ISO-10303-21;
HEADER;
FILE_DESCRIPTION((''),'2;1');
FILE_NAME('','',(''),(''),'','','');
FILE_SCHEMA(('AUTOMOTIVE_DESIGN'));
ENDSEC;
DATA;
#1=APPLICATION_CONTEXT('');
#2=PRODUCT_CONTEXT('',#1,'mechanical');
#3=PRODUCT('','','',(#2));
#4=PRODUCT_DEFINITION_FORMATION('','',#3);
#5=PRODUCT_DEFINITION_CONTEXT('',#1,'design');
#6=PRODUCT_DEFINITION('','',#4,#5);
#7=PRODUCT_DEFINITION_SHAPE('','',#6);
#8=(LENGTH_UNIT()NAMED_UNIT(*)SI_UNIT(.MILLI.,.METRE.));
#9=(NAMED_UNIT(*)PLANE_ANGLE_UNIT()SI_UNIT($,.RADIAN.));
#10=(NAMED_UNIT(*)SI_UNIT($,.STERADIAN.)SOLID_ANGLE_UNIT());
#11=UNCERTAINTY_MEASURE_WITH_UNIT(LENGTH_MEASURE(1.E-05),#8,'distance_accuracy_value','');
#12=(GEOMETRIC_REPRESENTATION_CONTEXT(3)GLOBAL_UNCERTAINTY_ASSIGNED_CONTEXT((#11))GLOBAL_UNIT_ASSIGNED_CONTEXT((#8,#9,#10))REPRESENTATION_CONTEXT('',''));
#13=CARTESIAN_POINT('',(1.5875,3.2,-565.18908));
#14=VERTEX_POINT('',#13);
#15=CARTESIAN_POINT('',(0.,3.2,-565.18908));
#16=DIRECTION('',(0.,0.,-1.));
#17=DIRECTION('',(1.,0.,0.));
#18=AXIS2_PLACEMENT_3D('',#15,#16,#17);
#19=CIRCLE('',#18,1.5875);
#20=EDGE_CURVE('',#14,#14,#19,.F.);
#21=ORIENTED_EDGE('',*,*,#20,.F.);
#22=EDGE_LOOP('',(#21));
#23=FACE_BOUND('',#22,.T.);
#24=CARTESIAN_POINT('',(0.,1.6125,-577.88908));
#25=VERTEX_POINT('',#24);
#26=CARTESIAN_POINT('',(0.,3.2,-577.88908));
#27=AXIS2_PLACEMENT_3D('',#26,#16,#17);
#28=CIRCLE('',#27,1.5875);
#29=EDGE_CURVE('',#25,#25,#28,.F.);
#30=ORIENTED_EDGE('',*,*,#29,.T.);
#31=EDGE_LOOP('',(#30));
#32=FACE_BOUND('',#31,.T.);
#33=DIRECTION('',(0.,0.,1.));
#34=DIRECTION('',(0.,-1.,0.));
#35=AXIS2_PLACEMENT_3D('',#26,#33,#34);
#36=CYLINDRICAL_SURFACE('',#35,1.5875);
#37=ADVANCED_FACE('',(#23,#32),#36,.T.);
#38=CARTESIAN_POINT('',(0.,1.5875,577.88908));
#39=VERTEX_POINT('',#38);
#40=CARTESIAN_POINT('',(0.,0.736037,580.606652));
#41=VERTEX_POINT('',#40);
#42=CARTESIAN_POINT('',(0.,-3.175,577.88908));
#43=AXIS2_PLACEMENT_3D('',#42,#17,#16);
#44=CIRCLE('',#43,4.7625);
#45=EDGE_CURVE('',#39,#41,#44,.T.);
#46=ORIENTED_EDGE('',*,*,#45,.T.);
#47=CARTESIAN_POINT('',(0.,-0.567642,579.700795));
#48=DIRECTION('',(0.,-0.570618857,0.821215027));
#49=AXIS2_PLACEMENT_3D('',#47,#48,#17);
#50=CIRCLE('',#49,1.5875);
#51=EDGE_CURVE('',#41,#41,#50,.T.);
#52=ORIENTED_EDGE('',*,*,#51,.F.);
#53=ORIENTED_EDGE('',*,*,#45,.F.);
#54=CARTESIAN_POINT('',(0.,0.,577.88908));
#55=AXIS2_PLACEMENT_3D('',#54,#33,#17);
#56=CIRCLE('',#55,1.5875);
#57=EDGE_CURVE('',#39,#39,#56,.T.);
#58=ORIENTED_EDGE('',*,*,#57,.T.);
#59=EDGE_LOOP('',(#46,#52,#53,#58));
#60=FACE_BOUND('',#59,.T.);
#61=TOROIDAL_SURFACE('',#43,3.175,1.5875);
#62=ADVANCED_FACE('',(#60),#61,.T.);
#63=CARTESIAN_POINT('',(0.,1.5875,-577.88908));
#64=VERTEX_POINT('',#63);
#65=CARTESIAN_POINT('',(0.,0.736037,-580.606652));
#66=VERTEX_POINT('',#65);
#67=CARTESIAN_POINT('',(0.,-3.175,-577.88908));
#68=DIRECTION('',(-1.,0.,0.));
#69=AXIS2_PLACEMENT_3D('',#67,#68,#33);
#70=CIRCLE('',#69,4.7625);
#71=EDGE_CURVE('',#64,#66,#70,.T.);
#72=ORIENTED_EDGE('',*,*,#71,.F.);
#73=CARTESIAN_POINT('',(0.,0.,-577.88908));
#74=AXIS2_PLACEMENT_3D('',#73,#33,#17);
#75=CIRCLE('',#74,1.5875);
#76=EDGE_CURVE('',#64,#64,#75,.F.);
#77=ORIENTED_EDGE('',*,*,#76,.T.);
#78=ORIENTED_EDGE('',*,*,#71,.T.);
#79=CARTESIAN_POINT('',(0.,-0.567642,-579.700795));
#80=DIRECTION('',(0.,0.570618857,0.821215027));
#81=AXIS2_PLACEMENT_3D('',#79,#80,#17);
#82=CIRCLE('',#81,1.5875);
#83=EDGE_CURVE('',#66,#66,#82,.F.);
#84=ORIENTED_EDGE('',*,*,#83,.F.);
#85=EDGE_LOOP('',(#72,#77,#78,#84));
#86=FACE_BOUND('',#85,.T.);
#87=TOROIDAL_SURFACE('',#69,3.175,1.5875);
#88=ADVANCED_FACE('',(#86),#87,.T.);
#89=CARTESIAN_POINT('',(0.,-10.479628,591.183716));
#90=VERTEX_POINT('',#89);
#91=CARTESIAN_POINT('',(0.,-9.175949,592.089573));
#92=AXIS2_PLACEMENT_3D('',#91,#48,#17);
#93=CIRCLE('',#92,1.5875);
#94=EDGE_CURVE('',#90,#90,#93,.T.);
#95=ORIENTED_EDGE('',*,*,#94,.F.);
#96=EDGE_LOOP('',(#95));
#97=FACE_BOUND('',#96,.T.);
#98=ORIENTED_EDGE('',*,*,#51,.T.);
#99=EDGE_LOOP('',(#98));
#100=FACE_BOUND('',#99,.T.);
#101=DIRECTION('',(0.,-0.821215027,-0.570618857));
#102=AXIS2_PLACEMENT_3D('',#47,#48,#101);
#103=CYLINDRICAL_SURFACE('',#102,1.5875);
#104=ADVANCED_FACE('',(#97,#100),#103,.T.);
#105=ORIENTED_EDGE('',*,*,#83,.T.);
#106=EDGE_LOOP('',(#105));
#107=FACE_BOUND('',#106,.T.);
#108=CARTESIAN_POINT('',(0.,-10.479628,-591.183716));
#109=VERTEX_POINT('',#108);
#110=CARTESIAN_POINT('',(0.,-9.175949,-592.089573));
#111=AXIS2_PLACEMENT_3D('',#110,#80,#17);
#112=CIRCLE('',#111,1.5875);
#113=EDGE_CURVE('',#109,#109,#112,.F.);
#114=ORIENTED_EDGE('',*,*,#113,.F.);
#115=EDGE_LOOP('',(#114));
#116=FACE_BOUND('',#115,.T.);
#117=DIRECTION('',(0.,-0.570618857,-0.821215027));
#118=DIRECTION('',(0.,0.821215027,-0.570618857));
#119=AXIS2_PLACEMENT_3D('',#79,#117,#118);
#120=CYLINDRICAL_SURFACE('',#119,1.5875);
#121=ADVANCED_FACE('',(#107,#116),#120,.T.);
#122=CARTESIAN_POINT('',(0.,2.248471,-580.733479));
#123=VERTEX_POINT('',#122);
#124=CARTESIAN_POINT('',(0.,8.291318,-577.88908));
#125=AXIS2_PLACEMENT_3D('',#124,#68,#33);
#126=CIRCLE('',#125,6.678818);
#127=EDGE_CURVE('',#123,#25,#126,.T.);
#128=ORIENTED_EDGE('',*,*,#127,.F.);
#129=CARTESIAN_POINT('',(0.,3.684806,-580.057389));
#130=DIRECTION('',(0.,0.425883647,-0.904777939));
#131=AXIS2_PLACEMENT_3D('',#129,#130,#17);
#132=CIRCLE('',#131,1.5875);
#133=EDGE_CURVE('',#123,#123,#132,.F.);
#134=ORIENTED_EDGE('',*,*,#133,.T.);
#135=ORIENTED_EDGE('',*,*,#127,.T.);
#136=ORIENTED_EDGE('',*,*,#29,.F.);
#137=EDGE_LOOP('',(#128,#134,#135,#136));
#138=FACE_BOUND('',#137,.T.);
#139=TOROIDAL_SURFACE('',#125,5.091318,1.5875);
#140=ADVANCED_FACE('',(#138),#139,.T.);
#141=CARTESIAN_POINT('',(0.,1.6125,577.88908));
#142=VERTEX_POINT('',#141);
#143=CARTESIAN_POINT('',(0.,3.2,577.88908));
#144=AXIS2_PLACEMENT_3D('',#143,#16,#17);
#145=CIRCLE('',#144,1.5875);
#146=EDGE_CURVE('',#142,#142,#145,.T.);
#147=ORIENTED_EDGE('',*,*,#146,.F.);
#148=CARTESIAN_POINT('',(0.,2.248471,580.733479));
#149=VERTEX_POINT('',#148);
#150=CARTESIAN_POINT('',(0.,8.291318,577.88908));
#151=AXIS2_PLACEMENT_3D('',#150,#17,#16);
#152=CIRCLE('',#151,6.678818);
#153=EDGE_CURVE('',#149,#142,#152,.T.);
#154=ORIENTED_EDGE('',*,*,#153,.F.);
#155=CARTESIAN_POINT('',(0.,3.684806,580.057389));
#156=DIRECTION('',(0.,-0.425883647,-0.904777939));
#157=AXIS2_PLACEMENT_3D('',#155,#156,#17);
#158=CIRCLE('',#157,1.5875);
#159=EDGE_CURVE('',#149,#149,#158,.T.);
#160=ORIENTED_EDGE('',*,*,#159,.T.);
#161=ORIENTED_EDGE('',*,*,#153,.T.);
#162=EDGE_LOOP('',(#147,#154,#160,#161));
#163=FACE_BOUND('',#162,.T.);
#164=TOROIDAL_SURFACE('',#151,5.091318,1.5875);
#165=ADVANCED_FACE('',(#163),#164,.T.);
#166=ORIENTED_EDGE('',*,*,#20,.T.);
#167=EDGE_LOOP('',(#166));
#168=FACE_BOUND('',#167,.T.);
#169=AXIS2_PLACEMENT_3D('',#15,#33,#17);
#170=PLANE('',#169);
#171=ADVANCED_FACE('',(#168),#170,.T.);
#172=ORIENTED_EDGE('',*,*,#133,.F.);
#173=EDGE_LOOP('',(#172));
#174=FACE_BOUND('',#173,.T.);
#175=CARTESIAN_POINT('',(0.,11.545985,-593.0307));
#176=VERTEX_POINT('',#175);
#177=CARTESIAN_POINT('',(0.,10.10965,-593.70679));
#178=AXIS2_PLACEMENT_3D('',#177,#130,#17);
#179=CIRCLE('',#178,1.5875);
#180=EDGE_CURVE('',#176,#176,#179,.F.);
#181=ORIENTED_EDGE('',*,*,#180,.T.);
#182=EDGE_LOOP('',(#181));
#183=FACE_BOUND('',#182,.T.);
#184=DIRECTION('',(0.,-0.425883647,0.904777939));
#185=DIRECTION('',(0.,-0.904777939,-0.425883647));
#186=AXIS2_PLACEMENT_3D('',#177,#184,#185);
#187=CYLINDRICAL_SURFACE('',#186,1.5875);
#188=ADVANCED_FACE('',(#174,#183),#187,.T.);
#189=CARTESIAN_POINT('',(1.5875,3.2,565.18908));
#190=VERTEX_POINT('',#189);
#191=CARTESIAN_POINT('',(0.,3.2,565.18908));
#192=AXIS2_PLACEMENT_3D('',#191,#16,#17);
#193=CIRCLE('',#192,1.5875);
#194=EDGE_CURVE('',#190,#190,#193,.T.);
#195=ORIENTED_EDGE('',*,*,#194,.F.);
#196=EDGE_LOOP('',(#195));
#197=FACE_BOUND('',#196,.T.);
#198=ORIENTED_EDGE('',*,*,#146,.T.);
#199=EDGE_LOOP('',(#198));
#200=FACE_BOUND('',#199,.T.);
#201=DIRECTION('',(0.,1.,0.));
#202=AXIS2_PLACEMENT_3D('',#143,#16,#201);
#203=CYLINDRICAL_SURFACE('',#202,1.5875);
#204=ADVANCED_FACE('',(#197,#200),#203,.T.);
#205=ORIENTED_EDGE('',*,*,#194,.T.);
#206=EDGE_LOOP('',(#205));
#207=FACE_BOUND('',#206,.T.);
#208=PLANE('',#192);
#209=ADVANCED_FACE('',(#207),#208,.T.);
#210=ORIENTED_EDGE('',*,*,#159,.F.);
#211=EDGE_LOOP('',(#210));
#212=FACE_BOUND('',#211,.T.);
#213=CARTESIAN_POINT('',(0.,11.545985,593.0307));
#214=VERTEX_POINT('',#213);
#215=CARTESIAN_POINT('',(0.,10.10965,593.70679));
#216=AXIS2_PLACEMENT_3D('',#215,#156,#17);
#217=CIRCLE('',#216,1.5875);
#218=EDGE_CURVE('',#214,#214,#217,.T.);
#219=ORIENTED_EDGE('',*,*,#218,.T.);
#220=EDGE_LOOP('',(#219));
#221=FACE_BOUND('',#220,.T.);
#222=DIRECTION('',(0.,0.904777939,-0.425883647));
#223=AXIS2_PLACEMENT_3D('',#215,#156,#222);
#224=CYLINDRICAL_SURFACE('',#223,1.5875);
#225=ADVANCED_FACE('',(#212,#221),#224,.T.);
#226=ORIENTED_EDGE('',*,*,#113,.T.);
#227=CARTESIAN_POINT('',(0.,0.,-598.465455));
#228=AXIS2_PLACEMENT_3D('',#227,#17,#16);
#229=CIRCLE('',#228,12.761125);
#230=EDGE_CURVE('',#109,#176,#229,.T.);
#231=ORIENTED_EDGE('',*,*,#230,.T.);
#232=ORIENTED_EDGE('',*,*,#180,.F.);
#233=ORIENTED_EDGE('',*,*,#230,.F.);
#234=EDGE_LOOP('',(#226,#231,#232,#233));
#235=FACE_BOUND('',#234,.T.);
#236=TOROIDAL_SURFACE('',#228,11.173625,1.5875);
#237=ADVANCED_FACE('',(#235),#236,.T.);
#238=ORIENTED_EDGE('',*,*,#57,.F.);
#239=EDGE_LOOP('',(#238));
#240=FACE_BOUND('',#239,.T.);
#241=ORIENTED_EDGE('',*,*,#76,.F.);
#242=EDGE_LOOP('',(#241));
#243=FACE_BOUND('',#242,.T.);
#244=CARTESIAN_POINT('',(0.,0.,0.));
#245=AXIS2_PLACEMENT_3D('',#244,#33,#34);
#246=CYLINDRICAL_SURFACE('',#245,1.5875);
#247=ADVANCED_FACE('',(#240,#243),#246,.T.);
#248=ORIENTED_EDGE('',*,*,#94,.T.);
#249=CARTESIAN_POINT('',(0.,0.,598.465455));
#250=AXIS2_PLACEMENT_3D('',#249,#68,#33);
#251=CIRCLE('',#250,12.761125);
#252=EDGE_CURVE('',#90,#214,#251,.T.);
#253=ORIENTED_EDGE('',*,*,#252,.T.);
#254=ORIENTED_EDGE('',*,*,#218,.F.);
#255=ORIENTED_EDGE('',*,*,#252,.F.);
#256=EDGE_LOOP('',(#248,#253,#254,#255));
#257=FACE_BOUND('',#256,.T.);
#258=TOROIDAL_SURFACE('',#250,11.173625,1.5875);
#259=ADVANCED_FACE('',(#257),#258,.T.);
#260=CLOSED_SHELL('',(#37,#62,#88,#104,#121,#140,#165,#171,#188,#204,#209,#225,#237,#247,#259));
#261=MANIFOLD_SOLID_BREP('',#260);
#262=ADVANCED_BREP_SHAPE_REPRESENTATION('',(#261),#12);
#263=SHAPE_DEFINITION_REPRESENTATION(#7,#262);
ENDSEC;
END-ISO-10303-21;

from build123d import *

# Parameters (mm, degrees)
SKETCH2_R = 1.5875


with BuildPart() as part:
    # Sweep1: sweep along a path in Sketch1
    with BuildLine(Plane(origin=(0, 0, 0), x_dir=(0, 0, -1), z_dir=(1, 0, 0))) as sweep1_path:
        Line((0, 0), (-577.889079714, 0))
        ThreePointArc((-577.889079714, 0), (-578.838359511, -0.145232209), (-579.700794583, -0.567642289))
        Line((-579.700794583, -0.567642289), (-592.089573308, -9.175948905))
        ThreePointArc((-592.089573308, -9.175948905), (-609.6, -0.933700659), (-593.706790289, 10.109649564))
        Line((-593.706790289, 10.109649564), (-580.057388714, 3.684805775))
        ThreePointArc((-580.057388714, 3.684805775), (-579.000002816, 3.322679475), (-577.889079714, 3.2))
        Line((-577.889079714, 3.2), (-565.189079714, 3.2))
    # Sketch2 → Sweep1 (sweep)
    with BuildSketch(Plane.XY):
        Circle(SKETCH2_R)
    sweep1 = sweep(path=sweep1_path.line)

    # Mirror1: Sweep1 across plane
    add(sweep1.mirror(Plane.XY))


solid = part.part
